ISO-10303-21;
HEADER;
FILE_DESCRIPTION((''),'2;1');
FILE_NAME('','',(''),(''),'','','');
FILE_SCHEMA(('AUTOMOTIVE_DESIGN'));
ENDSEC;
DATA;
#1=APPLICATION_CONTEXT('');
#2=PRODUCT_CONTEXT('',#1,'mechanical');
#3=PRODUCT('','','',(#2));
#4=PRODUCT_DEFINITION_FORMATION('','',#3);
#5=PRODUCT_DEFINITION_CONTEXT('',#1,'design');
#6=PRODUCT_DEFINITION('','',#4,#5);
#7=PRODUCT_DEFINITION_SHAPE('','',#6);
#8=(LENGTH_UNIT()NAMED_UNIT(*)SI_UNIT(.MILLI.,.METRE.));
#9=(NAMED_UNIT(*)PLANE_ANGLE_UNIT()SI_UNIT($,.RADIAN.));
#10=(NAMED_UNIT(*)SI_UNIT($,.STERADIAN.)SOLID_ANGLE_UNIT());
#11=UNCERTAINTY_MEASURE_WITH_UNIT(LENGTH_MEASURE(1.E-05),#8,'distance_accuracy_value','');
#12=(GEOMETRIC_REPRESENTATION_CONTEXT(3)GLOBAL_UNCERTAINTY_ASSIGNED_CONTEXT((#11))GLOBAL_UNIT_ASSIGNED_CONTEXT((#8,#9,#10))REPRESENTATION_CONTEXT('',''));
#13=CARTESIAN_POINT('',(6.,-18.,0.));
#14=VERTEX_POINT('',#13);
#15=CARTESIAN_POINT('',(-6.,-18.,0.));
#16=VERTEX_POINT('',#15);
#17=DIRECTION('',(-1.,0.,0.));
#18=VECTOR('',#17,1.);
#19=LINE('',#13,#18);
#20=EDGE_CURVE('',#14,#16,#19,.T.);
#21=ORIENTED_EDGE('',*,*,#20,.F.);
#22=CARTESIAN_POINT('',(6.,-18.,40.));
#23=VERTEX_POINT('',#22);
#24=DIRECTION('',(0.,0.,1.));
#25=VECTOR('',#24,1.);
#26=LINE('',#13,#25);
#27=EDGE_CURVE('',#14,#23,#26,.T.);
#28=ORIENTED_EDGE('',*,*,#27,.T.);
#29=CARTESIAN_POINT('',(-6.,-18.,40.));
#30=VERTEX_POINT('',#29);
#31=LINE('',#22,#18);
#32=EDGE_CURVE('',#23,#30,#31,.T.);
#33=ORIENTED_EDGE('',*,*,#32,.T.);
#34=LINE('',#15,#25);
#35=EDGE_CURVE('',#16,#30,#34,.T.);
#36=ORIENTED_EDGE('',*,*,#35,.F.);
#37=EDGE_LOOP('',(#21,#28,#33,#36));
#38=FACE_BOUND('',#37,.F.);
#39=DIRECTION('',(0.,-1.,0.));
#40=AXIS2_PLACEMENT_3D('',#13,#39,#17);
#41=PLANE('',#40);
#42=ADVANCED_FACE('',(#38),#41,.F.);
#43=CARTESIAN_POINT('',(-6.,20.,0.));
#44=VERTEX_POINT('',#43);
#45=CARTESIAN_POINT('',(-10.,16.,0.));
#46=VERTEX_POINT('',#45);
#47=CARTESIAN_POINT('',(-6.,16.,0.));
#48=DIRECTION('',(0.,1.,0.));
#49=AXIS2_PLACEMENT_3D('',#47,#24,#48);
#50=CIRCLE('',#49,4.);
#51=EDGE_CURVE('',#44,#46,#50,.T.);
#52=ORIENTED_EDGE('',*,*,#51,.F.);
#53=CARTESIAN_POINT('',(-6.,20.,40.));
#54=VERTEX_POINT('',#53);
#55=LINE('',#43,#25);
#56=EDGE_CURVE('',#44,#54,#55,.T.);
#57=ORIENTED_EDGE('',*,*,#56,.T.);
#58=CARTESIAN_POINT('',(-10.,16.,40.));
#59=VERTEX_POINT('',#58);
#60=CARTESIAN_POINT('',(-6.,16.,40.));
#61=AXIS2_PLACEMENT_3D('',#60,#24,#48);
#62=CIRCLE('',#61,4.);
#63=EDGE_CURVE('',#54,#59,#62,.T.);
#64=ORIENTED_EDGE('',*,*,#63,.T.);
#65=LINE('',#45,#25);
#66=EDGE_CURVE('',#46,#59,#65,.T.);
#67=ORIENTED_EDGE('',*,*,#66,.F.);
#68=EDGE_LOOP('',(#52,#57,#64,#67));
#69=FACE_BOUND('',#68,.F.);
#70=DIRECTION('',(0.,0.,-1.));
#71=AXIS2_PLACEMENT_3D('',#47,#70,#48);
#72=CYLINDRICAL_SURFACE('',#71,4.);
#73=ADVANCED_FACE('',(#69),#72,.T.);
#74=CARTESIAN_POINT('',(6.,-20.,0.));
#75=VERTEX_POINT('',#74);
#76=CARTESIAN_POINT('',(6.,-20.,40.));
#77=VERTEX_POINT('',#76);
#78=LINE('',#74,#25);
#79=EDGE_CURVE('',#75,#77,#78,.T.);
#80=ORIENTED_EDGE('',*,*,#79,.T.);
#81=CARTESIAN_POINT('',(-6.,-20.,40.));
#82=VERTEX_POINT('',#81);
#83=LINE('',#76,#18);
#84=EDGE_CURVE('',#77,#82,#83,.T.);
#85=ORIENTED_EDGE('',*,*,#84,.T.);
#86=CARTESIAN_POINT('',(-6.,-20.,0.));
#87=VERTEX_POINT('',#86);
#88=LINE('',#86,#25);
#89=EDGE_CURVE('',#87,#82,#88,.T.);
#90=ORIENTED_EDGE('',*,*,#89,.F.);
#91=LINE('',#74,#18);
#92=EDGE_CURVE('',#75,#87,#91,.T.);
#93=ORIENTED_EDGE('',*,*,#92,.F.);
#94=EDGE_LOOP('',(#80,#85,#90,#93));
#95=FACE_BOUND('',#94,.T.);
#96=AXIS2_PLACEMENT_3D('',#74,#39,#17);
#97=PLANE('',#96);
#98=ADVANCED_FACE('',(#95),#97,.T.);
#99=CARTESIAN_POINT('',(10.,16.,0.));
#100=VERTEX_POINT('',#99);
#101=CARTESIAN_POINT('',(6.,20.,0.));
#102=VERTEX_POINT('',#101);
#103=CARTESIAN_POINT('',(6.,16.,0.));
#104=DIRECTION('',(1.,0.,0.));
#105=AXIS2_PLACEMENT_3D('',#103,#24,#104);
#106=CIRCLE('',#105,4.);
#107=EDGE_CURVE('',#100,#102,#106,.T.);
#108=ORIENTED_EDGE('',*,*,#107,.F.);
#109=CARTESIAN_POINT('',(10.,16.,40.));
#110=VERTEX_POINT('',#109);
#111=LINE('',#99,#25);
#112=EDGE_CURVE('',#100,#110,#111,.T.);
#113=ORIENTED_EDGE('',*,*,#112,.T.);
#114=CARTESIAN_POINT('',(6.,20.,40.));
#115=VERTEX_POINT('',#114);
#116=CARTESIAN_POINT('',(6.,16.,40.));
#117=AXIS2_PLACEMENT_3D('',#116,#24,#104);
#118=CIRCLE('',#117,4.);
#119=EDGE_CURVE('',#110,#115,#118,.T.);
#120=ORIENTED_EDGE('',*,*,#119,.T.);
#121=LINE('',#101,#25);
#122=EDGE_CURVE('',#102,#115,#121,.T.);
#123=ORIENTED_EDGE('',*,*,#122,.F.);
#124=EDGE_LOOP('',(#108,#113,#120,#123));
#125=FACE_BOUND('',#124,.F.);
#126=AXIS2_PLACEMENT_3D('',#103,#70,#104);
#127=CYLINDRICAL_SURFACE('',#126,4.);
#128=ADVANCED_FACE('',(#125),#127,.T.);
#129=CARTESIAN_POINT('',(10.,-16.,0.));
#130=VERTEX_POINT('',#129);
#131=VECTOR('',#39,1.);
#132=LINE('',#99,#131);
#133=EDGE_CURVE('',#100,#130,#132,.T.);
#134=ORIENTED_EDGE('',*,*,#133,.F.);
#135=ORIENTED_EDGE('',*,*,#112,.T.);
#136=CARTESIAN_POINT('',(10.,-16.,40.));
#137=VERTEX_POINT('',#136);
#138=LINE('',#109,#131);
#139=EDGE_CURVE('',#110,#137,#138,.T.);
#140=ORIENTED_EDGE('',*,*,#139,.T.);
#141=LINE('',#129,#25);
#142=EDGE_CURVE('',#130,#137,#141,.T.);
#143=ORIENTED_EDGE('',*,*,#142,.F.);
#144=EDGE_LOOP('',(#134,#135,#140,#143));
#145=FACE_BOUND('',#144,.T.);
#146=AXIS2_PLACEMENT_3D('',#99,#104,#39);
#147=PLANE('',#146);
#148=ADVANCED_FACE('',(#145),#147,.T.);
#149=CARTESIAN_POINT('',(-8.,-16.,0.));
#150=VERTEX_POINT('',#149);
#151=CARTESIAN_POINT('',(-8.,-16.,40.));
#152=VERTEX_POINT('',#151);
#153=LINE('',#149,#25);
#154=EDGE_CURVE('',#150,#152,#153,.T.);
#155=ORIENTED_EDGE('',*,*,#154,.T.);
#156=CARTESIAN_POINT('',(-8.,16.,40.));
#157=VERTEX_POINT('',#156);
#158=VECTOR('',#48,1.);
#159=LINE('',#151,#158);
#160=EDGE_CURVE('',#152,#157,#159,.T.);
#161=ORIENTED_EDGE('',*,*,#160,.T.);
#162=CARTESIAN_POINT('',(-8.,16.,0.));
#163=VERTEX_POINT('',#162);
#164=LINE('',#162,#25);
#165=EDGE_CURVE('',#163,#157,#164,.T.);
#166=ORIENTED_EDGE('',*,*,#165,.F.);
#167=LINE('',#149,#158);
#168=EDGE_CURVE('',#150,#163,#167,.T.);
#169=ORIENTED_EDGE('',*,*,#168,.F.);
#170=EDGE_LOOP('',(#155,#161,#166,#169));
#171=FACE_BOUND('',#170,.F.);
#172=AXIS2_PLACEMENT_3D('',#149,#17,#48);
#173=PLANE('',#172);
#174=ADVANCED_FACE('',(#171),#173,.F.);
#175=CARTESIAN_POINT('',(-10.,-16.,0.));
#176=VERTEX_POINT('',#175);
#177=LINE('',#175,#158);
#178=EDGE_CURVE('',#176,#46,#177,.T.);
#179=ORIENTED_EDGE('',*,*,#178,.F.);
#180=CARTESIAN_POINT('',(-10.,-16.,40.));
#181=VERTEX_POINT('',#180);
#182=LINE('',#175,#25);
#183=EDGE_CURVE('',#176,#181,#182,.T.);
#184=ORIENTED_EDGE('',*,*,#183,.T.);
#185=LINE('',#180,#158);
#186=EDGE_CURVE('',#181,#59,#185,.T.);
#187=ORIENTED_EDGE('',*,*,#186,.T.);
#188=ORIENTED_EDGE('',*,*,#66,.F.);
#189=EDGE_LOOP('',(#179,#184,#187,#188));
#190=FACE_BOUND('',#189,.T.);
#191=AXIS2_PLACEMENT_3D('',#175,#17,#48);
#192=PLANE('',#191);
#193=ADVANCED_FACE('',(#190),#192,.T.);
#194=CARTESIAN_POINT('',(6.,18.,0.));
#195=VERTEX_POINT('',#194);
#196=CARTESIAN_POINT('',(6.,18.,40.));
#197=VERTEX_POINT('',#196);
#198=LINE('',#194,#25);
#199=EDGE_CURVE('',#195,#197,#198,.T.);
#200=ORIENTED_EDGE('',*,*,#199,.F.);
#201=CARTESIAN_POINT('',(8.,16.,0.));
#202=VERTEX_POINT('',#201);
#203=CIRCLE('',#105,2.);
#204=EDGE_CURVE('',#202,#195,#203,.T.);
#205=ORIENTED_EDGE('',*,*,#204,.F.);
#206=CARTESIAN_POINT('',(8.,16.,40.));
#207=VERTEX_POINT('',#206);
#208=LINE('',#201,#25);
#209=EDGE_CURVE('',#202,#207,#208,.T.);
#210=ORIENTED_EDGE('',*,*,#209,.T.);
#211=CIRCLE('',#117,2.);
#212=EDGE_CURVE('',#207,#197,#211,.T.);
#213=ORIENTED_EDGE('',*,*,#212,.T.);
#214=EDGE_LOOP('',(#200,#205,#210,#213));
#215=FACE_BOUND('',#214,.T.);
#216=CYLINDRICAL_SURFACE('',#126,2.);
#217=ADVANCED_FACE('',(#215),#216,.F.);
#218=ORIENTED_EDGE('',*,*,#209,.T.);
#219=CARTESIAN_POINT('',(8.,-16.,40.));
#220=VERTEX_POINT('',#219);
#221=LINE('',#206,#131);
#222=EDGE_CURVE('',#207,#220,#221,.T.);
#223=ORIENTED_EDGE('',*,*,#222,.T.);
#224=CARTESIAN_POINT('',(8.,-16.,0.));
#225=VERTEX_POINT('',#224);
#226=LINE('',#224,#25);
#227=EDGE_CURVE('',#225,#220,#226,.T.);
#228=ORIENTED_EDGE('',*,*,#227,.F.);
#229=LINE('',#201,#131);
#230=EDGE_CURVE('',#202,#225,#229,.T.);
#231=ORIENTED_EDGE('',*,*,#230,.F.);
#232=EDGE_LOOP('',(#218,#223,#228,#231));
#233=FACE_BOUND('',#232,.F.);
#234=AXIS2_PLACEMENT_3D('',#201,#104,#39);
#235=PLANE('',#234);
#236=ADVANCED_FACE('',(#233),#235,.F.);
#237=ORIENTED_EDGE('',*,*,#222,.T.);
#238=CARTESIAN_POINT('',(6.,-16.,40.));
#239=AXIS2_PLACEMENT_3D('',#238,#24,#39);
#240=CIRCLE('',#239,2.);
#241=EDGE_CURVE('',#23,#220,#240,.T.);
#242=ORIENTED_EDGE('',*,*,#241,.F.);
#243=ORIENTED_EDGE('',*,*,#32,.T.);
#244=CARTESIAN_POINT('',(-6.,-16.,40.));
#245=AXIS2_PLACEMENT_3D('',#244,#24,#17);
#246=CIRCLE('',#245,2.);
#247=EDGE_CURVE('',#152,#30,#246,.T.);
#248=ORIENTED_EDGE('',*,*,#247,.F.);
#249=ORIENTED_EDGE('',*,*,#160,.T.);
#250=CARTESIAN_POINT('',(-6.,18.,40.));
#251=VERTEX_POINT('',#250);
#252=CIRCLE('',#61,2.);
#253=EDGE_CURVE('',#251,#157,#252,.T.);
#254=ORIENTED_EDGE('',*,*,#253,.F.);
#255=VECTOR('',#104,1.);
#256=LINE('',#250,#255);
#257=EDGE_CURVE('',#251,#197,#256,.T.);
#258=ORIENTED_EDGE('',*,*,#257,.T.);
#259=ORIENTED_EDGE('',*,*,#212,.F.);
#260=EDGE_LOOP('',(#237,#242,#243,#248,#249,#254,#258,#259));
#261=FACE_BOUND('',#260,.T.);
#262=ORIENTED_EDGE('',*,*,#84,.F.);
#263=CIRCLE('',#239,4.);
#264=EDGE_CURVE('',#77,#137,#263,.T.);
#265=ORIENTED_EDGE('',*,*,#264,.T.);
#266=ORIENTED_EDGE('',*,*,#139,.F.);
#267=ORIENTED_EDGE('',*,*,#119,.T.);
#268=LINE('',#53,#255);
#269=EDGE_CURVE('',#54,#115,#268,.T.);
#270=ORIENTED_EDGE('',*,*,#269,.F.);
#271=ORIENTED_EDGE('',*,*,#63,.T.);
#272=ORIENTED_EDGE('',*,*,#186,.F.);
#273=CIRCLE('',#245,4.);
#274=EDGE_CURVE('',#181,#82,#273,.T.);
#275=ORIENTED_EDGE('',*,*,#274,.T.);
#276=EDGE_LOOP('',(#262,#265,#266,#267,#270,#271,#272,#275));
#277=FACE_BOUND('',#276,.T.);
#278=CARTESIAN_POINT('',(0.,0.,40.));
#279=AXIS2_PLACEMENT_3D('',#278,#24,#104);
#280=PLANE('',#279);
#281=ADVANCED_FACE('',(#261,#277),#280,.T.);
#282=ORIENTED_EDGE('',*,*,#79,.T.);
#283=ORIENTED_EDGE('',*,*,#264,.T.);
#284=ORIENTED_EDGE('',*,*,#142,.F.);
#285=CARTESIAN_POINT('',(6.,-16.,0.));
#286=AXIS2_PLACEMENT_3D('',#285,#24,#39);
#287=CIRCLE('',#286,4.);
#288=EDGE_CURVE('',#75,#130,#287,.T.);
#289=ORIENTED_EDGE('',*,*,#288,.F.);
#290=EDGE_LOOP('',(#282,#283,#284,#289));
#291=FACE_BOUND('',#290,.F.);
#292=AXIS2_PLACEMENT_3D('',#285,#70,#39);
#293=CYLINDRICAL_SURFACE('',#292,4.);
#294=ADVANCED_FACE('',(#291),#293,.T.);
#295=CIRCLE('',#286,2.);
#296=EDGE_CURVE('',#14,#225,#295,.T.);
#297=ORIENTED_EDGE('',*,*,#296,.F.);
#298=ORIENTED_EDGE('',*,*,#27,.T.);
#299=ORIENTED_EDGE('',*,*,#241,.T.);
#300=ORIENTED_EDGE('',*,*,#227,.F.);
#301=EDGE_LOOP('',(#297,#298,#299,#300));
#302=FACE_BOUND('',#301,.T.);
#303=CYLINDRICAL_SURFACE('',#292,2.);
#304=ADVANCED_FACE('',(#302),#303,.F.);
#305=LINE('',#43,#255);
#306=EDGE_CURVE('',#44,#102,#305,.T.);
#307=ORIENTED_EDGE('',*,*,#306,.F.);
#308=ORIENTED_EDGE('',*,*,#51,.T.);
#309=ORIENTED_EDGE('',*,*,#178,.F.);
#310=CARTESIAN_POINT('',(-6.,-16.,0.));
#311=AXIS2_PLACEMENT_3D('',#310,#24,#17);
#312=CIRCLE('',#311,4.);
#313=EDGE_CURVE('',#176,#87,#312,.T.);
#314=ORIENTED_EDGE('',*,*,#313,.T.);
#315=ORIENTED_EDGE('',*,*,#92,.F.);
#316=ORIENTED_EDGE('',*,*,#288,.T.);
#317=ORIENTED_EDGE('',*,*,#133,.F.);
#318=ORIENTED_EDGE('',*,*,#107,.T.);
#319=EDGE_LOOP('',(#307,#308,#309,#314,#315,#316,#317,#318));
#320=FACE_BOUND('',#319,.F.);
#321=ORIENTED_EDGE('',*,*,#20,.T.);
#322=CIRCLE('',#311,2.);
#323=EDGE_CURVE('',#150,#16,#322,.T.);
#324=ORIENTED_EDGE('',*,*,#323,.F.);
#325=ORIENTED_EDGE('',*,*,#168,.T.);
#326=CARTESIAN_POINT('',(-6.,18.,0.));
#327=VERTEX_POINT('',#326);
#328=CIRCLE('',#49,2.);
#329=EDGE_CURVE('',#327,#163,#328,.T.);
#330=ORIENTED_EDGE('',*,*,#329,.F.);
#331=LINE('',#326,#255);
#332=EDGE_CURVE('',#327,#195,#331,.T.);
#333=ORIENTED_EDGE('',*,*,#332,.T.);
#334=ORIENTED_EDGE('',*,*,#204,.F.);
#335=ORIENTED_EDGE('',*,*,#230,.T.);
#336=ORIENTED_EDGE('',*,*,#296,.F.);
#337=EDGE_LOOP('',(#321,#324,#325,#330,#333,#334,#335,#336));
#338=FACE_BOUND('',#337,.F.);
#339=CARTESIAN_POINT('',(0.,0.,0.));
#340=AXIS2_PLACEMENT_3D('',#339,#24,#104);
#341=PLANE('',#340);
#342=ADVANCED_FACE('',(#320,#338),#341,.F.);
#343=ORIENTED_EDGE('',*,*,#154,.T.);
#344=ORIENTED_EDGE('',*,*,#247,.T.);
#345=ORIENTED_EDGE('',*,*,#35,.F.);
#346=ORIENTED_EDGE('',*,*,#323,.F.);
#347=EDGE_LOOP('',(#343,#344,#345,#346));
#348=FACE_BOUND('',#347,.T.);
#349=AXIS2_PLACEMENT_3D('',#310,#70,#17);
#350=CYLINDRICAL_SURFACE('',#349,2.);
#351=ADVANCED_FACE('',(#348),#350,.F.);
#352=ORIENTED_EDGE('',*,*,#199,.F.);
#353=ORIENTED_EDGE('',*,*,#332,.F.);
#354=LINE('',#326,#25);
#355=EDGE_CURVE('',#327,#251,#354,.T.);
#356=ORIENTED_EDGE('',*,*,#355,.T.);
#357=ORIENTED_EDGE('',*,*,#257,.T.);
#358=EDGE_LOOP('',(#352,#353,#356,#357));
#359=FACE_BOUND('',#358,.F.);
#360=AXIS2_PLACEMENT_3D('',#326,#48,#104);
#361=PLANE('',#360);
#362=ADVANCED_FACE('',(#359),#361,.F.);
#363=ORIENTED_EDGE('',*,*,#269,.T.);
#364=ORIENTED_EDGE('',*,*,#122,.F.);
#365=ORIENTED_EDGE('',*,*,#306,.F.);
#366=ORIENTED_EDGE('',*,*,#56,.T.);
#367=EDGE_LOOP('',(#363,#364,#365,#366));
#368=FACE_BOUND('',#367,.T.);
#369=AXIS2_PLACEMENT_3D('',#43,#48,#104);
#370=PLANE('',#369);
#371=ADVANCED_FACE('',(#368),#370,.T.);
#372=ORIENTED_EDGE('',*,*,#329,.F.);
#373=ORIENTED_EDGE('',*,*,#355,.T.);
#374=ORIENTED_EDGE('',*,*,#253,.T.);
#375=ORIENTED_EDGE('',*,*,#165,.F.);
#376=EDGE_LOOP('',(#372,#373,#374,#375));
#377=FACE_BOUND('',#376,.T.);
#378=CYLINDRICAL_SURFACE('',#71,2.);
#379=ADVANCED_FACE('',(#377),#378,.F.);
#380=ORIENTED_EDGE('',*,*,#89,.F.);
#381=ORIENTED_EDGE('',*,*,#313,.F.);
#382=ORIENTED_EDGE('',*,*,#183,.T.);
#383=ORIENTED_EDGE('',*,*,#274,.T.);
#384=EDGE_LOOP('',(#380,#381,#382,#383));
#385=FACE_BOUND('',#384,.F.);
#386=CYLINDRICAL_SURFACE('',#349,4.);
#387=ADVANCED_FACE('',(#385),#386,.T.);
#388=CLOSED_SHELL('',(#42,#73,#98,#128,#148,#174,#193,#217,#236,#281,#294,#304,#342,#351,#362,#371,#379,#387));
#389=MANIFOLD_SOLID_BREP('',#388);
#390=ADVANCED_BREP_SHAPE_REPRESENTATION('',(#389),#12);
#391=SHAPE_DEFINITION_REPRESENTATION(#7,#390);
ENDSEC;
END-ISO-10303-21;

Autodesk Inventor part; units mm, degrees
ref_plane "YZ Plane" through (0, 0, 0) normal (1, 0, 0) x (0, 1, 0)
ref_plane "Начальная плоскость" through (0, 0, 0) normal (0, 0, 1) x (1, 0, 0)
ref_plane "Конечная плоскость" through (0, 0, 40) normal (0, 0, 1) x (1, 0, 0)
sketch "Эскиз" plane through (0, 0, 0) normal (0, 0, 1) x (1, 0, 0)
  line L0 (-10, -16) -> (-10, 16)
  line L1 (-6, 20) -> (6, 20)
  line L2 (10, 16) -> (10, -16)
  line L3 (6, -20) -> (-6, -20)
  arc A0 (-10, -16) -> (-6, -20) centre (-6, -16) ccw
  arc A1 (-6, 20) -> (-10, 16) centre (-6, 16) ccw
  arc A2 (10, 16) -> (6, 20) centre (6, 16) ccw
  arc A3 (6, -20) -> (10, -16) centre (6, -16) ccw
  arc A4 (-6, 18) -> (-8, 16) centre (-6, 16) ccw
  line L4 (-6, 18) -> (6, 18)
  arc A5 (8, 16) -> (6, 18) centre (6, 16) ccw
  line L5 (8, 16) -> (8, -16)
  arc A6 (6, -18) -> (8, -16) centre (6, -16) ccw
  line L6 (6, -18) -> (-6, -18)
  arc A7 (-8, -16) -> (-6, -18) centre (-6, -16) ccw
  line L7 (-8, -16) -> (-8, 16)
  line L8 (0, 29.1598) -> (0, -29.1598) construction
  line L9 (-15.1598, 0) -> (15.1598, 0) construction
  dimension "d7" = 4
  dimension "d10" = 40
  dimension "d11" = 20
  dimension "d12" = 2
  dimension "d15" = 20
  dimension "d16" = 10
extrude "Тело" add sketch "Эскиз" along normal up to surface (40 mm away) from surface at 0
sketch "Sketch3" plane through (0, 0, 0) normal (0, 0, 1) x (1, 0, 0)
  line L0 (0, 0) -> (10, 0)
ref_plane "Work Plane3" through (0, 0, 0) normal (0, -1, 0) x (1, 0, 0)
sketch "Sketch4" plane through (0, 0, 0) normal (0, -1, 0) x (1, 0, 0)
  line L0 (-2, 0) -> (12, 0) projected
  line L1 (-2, 40) -> (12, 40) projected
  dimension "d18" = 40
equation "\"d7\" = G_IR"
equation "\"d10\" = G_H"
equation "\"d11\" = G_W"
equation "\"d12\" = G_T"
equation "\"d15\" = 0.5 * d10"
equation "\"d16\" = 0.5 * d11"
equation "\"d3\" = G_L"
equation "\"G_W\" = 20"
equation "\"G_H\" = 40"
equation "\"G_T\" = 2"
equation "\"G_IR\" = 4"
equation "\"G_L\" = d18"
equation "\"G_OFFSET_START\" = 0"
equation "\"G_OFFSET_END\" = 0"
properties part number "DIN EN 10219-2 - 40 x 20 x 2  - 40" material "Нержавеющая сталь"
